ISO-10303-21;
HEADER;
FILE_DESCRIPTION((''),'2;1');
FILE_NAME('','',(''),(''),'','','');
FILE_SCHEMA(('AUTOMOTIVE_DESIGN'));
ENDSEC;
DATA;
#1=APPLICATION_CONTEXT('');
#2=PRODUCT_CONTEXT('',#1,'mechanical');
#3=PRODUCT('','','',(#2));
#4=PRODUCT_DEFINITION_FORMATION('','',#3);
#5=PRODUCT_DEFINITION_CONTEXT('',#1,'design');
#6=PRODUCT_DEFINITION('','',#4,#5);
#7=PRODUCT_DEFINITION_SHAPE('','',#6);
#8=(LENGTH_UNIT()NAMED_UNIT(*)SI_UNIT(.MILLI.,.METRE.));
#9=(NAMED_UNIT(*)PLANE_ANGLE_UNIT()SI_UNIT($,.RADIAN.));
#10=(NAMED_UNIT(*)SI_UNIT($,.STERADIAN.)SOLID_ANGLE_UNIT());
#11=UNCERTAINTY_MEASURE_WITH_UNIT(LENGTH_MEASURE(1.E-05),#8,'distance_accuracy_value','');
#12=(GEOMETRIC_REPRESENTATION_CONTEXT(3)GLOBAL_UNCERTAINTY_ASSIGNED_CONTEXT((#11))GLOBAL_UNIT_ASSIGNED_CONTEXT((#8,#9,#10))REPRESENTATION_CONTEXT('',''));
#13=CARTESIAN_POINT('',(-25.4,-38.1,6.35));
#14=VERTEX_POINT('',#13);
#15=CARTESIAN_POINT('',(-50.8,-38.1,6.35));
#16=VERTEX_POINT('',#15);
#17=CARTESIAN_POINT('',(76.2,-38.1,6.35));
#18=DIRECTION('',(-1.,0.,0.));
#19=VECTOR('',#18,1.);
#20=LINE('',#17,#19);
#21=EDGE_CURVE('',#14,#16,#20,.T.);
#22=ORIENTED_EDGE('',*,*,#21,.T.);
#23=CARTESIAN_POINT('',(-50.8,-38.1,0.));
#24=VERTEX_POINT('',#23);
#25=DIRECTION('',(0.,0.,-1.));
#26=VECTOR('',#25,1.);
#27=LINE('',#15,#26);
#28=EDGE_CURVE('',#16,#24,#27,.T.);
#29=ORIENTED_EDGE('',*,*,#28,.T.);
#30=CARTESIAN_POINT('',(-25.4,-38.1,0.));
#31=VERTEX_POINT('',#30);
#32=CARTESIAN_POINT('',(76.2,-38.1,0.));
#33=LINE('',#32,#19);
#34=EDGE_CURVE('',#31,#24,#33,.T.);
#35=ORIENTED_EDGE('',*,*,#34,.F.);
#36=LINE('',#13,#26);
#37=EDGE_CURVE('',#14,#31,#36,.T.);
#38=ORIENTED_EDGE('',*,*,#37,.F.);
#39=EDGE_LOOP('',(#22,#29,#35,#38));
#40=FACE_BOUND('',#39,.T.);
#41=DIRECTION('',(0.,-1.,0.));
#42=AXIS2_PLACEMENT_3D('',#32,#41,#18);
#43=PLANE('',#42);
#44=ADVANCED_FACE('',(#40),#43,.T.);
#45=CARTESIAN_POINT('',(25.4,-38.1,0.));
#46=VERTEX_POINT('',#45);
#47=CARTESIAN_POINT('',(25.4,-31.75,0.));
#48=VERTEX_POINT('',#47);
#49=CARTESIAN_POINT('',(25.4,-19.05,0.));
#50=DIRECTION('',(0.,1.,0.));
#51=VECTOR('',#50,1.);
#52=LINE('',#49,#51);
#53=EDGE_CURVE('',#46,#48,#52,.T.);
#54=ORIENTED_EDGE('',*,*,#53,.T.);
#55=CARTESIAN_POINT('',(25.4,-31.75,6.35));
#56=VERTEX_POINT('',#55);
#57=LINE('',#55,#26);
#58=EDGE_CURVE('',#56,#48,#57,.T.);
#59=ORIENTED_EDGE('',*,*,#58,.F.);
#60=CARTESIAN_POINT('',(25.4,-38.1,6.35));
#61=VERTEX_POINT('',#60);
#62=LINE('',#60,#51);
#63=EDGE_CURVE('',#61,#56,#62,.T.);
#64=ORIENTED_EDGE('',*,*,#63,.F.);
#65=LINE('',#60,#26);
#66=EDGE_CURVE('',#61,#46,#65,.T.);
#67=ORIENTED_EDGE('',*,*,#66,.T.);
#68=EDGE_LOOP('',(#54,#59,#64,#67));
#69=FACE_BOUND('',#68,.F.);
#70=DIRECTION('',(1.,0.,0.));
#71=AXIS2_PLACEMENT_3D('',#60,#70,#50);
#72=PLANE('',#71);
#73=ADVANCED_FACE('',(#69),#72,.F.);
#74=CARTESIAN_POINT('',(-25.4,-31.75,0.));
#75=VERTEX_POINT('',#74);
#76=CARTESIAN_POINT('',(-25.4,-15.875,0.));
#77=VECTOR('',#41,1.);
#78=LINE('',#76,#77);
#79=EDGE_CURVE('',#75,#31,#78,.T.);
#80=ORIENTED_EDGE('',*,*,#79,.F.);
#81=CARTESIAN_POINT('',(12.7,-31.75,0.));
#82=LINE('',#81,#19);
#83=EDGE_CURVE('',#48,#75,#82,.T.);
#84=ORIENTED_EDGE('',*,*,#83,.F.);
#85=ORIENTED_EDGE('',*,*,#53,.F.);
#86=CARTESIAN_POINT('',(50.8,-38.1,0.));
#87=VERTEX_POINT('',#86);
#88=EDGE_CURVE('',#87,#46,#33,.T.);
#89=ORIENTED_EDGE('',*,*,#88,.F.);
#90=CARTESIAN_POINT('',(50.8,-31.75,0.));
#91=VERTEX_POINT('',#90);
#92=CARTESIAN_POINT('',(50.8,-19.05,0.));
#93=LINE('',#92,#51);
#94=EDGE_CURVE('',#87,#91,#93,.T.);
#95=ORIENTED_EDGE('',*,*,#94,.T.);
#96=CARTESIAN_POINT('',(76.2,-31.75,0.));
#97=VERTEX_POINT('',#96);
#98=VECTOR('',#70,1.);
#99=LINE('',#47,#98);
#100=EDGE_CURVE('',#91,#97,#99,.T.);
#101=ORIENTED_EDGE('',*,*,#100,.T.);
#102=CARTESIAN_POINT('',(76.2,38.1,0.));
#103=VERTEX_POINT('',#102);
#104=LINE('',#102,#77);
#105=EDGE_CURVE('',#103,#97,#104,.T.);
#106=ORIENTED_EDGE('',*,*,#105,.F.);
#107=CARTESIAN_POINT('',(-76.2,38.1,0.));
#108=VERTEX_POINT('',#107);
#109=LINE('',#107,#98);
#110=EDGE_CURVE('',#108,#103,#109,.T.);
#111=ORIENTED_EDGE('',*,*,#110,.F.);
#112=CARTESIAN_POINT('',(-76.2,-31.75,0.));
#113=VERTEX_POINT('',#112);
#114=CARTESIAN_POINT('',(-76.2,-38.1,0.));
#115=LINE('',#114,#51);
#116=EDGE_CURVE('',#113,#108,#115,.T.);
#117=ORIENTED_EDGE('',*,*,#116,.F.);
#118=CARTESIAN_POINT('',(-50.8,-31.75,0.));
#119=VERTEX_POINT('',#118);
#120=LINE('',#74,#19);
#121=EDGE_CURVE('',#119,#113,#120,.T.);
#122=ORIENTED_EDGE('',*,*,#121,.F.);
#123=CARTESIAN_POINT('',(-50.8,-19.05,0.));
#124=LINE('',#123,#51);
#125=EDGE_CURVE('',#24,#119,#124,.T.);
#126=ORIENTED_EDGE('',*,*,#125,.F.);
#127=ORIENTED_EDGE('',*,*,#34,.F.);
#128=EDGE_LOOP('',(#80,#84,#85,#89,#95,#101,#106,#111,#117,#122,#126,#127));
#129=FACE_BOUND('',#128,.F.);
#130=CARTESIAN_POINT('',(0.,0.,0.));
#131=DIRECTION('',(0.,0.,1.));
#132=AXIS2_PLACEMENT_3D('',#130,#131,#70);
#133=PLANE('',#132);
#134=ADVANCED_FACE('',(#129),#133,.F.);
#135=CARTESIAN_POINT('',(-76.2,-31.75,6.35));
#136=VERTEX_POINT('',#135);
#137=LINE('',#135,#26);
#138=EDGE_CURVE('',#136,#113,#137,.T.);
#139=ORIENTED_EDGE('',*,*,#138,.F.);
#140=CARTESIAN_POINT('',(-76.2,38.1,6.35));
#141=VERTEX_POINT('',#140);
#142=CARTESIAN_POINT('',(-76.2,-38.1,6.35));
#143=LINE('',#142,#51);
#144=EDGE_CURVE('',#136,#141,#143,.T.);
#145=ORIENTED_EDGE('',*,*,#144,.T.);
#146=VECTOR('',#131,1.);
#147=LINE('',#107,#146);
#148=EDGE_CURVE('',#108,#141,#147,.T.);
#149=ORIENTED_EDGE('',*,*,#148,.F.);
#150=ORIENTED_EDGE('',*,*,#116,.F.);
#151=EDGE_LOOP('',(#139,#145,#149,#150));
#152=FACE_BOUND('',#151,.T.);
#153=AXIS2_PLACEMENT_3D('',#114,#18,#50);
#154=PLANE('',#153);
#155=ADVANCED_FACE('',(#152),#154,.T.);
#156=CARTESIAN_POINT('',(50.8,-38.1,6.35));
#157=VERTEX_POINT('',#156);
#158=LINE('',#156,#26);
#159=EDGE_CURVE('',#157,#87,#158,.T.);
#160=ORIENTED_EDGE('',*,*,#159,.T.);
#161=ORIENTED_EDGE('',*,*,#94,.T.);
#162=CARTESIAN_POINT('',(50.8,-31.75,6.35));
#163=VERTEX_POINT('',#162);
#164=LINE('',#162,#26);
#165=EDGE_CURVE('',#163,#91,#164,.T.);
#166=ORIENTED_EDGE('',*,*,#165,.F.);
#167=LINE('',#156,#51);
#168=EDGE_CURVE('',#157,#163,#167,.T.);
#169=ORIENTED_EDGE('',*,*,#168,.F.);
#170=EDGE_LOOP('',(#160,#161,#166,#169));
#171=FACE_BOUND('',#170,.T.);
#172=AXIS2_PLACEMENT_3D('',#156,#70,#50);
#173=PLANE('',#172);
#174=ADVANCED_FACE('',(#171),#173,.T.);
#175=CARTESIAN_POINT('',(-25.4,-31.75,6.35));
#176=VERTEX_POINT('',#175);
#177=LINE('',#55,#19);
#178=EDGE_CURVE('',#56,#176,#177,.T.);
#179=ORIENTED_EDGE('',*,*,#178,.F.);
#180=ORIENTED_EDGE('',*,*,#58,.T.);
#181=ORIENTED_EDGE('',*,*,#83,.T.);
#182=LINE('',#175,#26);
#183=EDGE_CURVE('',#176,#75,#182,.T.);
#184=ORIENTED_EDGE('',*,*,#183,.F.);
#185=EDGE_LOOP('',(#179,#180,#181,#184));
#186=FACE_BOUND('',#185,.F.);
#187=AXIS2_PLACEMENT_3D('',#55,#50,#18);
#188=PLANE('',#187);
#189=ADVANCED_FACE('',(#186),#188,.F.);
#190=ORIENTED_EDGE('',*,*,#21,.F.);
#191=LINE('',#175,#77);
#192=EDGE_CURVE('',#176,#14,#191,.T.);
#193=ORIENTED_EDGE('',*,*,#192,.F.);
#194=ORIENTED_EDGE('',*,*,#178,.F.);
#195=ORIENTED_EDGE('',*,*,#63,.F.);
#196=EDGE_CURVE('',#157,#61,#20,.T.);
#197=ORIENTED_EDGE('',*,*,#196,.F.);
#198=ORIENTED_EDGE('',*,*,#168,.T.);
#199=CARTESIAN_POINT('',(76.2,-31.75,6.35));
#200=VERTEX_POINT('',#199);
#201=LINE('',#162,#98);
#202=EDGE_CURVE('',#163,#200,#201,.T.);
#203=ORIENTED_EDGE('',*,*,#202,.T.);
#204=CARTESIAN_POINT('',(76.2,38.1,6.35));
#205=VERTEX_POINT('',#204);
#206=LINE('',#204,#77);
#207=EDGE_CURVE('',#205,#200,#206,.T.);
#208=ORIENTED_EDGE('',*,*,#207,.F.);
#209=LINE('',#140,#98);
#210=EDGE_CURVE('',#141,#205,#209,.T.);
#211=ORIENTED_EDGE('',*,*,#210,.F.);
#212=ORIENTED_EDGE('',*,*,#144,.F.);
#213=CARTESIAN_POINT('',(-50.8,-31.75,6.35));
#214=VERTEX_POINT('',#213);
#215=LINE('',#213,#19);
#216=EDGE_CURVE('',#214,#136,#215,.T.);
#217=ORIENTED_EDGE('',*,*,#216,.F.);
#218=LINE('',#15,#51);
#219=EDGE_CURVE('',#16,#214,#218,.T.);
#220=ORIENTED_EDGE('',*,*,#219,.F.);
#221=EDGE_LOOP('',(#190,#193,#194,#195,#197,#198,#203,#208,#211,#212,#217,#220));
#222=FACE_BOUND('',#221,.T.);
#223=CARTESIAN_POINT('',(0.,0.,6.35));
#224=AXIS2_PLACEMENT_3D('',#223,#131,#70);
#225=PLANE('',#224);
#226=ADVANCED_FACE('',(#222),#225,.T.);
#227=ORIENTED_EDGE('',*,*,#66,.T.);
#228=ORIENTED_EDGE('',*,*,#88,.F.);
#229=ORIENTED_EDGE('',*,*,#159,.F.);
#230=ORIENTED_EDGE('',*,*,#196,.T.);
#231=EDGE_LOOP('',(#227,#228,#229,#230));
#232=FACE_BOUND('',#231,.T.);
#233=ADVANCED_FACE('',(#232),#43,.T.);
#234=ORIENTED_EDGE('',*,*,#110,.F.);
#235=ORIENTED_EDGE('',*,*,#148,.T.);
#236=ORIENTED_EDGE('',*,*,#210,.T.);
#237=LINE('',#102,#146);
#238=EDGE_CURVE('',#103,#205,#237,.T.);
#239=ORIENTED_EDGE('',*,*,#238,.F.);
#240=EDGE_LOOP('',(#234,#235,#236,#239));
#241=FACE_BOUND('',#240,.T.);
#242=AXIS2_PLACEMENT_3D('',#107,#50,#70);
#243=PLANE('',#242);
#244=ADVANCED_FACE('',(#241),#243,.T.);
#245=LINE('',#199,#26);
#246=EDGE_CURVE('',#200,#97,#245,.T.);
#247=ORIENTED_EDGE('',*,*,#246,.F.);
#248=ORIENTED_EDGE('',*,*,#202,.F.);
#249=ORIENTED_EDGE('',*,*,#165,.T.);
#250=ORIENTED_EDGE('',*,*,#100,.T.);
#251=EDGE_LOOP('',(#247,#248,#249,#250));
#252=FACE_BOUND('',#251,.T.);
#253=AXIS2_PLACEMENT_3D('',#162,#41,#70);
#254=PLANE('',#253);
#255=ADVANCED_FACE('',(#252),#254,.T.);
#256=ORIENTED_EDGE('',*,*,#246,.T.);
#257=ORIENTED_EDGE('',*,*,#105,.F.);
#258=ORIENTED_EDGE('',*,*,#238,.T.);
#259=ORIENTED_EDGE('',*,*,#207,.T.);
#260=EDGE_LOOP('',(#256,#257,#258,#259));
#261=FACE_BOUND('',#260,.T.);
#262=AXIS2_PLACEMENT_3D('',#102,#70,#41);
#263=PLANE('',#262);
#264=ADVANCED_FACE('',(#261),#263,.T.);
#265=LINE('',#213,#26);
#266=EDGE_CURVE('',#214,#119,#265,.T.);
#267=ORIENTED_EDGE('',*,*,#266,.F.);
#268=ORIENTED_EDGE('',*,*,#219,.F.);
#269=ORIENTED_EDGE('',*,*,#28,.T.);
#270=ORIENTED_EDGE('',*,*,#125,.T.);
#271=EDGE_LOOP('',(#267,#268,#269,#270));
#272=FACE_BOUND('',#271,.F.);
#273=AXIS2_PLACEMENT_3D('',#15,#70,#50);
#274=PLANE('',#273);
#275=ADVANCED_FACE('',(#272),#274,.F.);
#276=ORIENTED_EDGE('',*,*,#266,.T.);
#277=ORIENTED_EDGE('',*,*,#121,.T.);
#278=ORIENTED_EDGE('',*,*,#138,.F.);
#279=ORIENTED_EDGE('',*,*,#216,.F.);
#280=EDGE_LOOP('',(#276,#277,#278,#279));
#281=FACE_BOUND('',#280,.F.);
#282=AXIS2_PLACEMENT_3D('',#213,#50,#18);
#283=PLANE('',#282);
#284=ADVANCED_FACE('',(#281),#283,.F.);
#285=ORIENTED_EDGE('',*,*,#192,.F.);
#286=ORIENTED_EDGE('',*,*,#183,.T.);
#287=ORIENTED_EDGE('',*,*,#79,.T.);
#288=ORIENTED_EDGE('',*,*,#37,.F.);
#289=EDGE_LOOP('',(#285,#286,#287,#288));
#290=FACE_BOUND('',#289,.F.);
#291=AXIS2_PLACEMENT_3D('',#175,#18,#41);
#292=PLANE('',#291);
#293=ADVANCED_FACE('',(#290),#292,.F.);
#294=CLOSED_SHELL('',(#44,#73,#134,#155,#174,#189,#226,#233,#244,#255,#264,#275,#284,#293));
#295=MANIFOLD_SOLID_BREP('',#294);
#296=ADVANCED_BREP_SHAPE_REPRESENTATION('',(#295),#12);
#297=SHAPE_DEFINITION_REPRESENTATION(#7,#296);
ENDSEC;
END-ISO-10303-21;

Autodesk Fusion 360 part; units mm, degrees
sketch "Sketch1" plane through (0, 0, 0) normal (0, 0, 1) x (1, 0, 0)
  line L0 (-76.2, 38.1) -> (76.2, 38.1)
  line L1 (76.2, 38.1) -> (76.2, -38.1)
  line L2 (76.2, -38.1) -> (-76.2, -38.1)
  line L3 (-76.2, -38.1) -> (-76.2, 38.1)
  dimension "d1" = 152.4
  dimension "d2" = 76.2
  dimension "d3" = 76.2
  dimension "d4" = 38.1
extrude "Extrude1" add sketch "Sketch1" along normal blind 6.35
sketch "Sketch2" plane through (0, 0, 6.35) normal (0, 0, 1) x (-1, 0, 0)
  line L0 (76.2, 38.1) -> (-76.2, 38.1)
  line L1 (-76.2, 38.1) -> (-76.2, -38.1)
  line L2 (-76.2, -38.1) -> (76.2, -38.1)
  line L3 (76.2, -38.1) -> (76.2, 38.1)
  line L4 (76.2, 38.1) -> (50.8, 38.1)
  line L5 (50.8, 38.1) -> (50.8, 31.75)
  line L6 (50.8, 31.75) -> (76.2, 31.75)
  line L7 (76.2, 31.75) -> (76.2, 38.1)
  line L8 (-76.2, 38.1) -> (-50.8, 38.1)
  line L9 (-50.8, 38.1) -> (-50.8, 31.75)
  line L10 (-50.8, 31.75) -> (-76.2, 31.75)
  line L11 (-76.2, 31.75) -> (-76.2, 38.1)
  line L12 (25.4, 38.1) -> (-25.4, 38.1)
  line L13 (-25.4, 38.1) -> (-25.4, 31.75)
  line L14 (-25.4, 31.75) -> (25.4, 31.75)
  line L15 (25.4, 31.75) -> (25.4, 38.1)
  dimension "d7" = 25.4
  dimension "d8" = 6.35
  dimension "d9" = 25.4
  dimension "d10" = 6.35
  dimension "d11" = 25.4
  dimension "d12" = 25.4
  dimension "d13" = 6.35
extrude "Extrude2" cut sketch "Sketch2" against normal through all contours L0 L3 L4 L5 L6 L7 | L0 L12 L13 L14 L15 | L0 L1 L8 L9 L10 L11
